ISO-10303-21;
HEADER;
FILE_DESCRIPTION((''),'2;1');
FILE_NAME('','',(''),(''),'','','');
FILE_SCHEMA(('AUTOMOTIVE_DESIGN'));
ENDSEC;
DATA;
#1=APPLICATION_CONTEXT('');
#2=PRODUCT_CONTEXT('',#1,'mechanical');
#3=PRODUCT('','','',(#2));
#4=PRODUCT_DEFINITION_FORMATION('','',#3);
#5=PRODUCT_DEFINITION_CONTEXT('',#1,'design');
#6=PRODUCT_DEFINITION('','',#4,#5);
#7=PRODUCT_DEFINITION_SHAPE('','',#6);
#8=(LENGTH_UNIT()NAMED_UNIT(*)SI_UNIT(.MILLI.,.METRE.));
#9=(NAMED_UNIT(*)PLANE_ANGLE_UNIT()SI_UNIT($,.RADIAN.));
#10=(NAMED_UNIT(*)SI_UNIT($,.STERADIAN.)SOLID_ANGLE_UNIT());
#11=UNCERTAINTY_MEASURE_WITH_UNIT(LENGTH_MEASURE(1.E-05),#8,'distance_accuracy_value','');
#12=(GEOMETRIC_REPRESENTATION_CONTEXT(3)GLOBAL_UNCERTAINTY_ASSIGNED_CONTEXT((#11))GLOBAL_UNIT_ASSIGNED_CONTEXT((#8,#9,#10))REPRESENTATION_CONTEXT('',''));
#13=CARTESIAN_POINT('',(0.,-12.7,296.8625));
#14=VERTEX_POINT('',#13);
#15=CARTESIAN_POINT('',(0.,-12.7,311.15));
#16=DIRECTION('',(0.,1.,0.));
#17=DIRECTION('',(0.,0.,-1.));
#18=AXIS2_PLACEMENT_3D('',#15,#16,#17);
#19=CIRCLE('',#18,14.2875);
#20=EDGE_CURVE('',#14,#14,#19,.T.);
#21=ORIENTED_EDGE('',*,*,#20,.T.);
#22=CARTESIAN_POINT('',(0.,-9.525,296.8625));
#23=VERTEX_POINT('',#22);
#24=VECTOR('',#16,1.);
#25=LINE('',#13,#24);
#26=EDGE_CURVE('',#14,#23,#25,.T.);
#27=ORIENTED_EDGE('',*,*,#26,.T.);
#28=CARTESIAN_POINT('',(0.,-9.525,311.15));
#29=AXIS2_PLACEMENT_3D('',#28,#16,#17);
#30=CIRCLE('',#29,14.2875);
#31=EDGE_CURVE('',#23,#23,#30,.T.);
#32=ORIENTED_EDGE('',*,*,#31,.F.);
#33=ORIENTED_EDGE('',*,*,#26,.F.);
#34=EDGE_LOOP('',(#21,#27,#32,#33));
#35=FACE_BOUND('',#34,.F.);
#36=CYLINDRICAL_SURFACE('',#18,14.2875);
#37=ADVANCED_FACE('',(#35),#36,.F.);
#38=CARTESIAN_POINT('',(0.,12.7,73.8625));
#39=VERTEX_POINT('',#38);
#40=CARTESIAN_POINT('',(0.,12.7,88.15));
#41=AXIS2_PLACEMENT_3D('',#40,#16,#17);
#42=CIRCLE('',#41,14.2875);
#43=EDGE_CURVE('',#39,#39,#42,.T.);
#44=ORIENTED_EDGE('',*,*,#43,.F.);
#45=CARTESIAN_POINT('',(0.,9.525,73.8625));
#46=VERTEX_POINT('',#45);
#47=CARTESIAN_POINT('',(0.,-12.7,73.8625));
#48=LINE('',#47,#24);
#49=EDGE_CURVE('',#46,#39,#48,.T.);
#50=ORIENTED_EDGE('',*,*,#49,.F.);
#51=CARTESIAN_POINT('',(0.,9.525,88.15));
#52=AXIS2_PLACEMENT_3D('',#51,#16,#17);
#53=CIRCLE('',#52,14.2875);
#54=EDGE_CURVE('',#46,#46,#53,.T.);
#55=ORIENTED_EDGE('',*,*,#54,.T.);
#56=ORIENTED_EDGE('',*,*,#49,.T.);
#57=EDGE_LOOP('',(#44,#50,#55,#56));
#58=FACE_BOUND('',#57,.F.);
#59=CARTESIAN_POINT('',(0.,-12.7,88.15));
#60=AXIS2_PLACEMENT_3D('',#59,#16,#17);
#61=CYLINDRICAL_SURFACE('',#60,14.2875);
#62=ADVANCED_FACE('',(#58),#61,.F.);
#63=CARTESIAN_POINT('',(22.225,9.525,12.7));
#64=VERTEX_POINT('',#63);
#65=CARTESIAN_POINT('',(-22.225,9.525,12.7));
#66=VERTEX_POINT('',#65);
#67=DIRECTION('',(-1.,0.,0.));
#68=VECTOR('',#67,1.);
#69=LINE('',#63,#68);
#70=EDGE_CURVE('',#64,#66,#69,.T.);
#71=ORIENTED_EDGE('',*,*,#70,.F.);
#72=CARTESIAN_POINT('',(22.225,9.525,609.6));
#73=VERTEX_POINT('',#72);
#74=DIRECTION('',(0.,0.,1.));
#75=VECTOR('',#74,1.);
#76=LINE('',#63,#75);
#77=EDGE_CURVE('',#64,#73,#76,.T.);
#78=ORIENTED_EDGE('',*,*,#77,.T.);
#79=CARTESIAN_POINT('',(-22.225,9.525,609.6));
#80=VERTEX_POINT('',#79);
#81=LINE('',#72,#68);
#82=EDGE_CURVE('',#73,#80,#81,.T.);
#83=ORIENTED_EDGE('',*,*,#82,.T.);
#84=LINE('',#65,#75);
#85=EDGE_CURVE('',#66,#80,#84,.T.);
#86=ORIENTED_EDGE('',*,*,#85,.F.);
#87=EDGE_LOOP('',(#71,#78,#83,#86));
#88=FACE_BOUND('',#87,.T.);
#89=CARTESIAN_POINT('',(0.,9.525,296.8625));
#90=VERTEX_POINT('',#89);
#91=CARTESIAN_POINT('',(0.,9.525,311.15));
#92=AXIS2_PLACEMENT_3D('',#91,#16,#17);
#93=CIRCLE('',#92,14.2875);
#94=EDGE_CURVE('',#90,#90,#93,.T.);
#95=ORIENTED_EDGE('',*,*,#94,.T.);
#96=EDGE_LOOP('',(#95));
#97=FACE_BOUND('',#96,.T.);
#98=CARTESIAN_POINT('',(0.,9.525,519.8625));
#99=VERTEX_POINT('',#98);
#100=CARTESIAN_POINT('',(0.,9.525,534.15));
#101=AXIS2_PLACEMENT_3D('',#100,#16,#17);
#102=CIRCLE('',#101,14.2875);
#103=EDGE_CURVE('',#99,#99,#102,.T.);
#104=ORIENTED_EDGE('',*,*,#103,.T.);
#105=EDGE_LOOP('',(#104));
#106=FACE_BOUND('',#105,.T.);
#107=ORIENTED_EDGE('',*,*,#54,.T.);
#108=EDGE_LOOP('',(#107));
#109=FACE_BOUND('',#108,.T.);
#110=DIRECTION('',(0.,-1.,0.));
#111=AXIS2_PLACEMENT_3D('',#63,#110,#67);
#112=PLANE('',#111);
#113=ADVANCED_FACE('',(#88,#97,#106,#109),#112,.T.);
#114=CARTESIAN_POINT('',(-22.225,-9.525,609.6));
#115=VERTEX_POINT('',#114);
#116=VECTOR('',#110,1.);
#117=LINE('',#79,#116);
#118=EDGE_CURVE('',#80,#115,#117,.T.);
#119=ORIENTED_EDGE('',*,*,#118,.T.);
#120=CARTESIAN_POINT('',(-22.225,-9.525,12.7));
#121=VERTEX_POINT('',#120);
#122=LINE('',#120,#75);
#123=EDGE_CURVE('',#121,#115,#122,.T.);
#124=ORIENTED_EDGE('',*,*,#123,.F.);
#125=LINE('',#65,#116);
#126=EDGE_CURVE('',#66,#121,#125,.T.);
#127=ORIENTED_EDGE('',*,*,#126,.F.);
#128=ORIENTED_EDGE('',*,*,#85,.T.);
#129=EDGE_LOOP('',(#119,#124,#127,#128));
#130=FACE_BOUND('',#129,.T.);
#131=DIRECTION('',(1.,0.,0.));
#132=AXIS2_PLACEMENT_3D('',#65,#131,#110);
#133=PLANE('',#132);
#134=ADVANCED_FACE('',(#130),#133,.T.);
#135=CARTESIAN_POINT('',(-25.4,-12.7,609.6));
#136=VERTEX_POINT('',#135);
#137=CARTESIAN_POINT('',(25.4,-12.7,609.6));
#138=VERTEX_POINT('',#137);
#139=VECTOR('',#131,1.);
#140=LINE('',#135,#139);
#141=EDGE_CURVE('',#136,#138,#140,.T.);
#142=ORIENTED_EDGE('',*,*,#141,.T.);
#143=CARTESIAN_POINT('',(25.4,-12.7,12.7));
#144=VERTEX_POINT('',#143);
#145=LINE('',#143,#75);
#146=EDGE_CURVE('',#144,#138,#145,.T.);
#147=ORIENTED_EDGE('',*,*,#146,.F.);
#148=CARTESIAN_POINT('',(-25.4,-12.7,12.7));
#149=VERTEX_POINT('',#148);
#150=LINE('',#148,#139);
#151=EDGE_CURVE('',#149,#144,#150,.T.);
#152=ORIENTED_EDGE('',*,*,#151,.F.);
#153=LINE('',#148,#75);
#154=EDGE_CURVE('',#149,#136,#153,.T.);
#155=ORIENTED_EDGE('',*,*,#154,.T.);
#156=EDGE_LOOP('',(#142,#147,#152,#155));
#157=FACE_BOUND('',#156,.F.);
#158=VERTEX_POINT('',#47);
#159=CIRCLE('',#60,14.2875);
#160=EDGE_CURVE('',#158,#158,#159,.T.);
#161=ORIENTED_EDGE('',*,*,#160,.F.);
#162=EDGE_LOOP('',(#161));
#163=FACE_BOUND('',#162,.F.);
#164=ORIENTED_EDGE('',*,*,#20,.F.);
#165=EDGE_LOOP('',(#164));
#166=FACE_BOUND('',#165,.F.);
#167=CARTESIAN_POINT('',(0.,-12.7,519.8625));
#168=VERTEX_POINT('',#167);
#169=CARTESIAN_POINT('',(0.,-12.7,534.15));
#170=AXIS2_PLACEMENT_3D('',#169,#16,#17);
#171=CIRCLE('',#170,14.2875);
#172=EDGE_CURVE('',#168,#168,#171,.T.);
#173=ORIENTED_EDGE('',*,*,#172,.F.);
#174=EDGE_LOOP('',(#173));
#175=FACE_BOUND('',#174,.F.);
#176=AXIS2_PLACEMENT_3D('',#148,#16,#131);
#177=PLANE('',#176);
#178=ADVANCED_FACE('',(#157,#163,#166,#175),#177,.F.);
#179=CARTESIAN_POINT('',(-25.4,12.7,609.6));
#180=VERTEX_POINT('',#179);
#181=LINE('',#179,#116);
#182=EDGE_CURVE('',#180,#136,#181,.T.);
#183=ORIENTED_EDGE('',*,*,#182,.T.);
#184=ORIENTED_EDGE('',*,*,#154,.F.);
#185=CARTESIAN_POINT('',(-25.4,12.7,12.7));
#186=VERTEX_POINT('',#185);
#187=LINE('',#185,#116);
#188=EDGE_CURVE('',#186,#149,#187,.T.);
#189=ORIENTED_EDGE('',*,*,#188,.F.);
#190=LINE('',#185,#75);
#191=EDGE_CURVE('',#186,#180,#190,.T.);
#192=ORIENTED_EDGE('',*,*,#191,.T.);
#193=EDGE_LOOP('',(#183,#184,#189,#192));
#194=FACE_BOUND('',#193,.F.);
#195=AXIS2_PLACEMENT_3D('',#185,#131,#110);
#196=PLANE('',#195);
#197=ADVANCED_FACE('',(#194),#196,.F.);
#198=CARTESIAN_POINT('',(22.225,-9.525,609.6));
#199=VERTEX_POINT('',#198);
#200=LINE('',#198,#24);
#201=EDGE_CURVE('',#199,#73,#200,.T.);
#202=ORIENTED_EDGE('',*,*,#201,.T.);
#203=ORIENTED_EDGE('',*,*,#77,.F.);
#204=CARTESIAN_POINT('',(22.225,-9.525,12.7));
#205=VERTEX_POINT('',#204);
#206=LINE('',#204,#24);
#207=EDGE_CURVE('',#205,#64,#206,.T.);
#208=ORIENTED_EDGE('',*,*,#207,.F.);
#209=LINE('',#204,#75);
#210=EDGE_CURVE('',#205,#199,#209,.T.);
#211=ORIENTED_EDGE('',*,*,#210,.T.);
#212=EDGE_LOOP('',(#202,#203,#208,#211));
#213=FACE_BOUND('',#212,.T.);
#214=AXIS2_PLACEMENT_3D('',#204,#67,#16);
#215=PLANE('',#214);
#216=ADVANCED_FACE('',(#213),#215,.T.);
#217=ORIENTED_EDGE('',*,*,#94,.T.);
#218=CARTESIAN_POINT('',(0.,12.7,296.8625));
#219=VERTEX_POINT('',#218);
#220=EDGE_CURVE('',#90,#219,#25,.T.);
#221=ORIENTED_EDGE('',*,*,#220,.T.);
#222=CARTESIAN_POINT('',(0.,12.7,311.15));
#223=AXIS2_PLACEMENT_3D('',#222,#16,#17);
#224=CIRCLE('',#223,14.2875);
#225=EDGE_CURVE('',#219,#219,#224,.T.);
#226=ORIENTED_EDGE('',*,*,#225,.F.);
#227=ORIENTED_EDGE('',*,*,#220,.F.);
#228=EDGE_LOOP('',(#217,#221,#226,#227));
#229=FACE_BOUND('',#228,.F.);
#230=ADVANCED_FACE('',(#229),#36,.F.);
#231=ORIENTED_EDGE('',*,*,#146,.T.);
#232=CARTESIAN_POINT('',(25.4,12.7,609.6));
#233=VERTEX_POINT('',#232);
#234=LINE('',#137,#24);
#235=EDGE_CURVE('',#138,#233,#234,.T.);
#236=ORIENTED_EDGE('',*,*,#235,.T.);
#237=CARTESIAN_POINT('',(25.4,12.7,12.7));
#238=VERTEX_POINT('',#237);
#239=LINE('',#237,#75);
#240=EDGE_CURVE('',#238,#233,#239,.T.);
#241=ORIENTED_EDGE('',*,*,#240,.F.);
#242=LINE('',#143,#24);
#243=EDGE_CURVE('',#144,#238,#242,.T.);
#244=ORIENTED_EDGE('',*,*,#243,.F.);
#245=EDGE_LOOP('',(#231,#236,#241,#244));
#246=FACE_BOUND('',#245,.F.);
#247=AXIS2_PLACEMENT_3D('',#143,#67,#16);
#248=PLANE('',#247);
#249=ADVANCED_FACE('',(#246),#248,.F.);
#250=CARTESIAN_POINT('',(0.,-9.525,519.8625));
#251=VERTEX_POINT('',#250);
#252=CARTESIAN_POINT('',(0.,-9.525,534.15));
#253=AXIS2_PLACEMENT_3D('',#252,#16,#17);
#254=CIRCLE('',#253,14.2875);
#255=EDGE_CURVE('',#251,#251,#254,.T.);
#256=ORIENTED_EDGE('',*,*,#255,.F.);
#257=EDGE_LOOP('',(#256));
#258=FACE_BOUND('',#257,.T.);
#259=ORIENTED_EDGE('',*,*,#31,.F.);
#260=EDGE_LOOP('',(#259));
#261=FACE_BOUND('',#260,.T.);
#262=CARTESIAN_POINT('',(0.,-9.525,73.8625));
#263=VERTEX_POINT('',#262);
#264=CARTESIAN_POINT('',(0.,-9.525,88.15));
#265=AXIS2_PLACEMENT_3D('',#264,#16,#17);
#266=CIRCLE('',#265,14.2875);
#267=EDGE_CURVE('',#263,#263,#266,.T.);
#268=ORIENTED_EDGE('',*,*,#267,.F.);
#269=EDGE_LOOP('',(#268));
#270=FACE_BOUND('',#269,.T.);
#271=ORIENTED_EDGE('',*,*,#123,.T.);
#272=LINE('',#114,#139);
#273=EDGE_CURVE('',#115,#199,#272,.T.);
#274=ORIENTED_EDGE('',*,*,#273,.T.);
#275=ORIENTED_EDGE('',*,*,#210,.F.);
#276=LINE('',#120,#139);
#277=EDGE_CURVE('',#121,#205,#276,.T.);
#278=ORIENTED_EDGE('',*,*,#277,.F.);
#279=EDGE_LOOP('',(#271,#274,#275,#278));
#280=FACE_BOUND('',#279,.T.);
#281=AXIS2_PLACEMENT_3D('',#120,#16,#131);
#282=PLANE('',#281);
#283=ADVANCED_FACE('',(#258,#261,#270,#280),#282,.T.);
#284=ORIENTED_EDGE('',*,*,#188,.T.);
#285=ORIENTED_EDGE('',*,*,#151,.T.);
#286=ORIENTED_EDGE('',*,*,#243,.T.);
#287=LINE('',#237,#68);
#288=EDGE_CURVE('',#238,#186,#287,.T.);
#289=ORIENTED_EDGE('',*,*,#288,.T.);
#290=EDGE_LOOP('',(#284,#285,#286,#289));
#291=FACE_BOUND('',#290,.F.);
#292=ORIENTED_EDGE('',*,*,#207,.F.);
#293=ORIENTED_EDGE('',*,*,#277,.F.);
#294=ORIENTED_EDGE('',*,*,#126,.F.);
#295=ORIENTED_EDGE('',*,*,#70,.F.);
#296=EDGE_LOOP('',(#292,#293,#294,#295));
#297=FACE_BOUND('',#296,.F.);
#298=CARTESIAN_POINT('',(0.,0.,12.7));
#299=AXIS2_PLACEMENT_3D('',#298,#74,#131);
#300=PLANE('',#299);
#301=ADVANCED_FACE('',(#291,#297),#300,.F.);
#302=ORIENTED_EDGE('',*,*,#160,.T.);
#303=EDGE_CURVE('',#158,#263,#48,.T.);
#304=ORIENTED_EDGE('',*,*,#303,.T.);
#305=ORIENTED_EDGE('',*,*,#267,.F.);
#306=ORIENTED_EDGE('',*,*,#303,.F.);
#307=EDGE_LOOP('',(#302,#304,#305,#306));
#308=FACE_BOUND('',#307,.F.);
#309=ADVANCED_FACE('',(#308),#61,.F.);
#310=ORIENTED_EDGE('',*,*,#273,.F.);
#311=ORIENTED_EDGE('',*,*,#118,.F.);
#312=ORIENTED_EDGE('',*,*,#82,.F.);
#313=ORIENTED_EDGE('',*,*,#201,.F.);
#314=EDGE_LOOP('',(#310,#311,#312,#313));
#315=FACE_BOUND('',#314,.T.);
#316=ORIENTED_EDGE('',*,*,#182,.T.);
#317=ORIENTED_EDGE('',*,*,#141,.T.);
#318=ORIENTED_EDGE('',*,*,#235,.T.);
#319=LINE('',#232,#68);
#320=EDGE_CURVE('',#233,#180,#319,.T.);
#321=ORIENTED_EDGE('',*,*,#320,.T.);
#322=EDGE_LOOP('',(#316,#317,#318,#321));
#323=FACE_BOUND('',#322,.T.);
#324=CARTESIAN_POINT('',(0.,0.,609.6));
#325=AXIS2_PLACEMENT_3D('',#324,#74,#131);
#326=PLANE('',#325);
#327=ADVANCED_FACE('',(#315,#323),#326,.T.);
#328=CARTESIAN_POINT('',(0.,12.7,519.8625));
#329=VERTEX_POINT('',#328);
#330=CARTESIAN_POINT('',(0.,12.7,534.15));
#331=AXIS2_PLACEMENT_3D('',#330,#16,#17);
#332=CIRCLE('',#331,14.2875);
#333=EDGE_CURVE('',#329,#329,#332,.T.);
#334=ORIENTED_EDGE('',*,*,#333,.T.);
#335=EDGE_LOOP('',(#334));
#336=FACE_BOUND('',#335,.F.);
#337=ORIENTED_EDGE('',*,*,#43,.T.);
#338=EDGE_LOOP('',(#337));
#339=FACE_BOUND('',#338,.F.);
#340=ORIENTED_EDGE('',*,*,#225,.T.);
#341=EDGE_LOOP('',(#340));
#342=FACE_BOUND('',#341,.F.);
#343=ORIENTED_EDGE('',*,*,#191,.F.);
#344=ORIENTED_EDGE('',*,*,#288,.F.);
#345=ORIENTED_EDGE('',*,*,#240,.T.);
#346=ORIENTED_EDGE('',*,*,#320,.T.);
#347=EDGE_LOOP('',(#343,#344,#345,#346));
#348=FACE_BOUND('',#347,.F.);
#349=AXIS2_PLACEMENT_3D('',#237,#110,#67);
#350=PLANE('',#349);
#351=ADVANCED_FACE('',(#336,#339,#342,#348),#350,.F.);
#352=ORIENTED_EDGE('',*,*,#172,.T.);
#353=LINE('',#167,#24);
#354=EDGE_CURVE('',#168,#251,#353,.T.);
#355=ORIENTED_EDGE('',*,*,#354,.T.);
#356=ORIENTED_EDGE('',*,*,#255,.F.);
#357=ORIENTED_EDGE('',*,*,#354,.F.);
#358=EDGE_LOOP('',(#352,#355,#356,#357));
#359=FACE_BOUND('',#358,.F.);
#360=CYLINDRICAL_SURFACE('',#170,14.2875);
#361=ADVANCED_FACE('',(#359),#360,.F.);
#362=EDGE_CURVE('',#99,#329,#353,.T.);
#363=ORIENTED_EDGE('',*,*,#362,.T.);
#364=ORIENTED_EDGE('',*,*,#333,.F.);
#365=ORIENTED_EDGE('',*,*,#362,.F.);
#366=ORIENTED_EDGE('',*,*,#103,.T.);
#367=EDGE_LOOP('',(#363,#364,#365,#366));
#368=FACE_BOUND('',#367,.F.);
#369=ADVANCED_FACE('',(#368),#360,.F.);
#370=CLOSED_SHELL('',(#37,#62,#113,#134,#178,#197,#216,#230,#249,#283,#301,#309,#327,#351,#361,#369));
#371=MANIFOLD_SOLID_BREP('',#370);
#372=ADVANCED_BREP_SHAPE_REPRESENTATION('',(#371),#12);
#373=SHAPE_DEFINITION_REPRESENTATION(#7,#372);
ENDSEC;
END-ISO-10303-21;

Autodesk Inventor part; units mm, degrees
ref_plane "Start Plane" through (0, 0, 12.7) normal (0, 0, 1) x (1, 0, 0)
ref_plane "End Plane" through (0, 0, 609.6) normal (0, 0, 1) x (1, 0, 0)
sketch "Sketch" plane through (0, 0, 0) normal (0, 0, 1) x (1, 0, 0)
  line L0 (-25.4, -12.7) -> (25.4, -12.7)
  line L1 (25.4, -12.7) -> (25.4, 12.7)
  line L2 (25.4, 12.7) -> (-25.4, 12.7)
  line L3 (-25.4, 12.7) -> (-25.4, -12.7)
  line L4 (-25.4, -12.7) -> (25.4, 12.7) construction
  line L5 (25.4, -12.7) -> (-25.4, 12.7) construction
  line L6 (-22.225, -9.525) -> (22.225, -9.525)
  line L7 (22.225, -9.525) -> (22.225, 9.525)
  line L8 (22.225, 9.525) -> (-22.225, 9.525)
  line L9 (-22.225, 9.525) -> (-22.225, -9.525)
  line L10 (-22.225, -9.525) -> (22.225, 9.525) construction
  line L11 (22.225, -9.525) -> (-22.225, 9.525) construction
  point P0 (0, 0)
  point P1 (0, 0)
  dimension "d0" = 50.8
  dimension "d1" = 25.4
  dimension "d2" = 3.175
  dimension "d3" = 3.175
extrude "Body" add sketch "Sketch" along normal up to surface (596.9 mm away) from surface at 12.7
sketch "Sketch4" plane through (0, 0, 0) normal (0, 0, 1) x (1, 0, 0)
  line L0 (0, 0) -> (10, 0)
ref_plane "Work Plane4" through (0, 0, 0) normal (0, -1, 0) x (1, 0, 0)
sketch "Sketch5" plane through (0, 0, 0) normal (0, -1, 0) x (1, 0, 0)
  line L0 (-2, 12.7) -> (12, 12.7)
  line L1 (-2, 609.6) -> (12, 609.6)
  dimension "d11" = 596.9
ref_plane "Work Plane5" through (25.4, -73.025, 609.6) normal (0, 0, 1) x (1, 0, 0)
split "Split1" plane through (25.4, -73.025, 609.6) removes the side toward (0, 0, 1)
ref_plane "Work Plane6" through (-25.4, -73.025, 12.7) normal (0, 0, -1) x (-1, 0, 0)
split "Split2" plane through (-25.4, -73.025, 12.7) removes the side toward (0, 0, -1)
sketch "Sketch7" plane through (-25.4, -12.7, 609.6) normal (0, -1, 0) x (1, 0, 0)
  line L0 (50.8, 0) -> (0, 0) projected
  line L1 (0, -596.9) -> (0, 0) projected
  line L2 (50.8, -596.9) -> (0, -596.9) projected
  line L3 (50.8, -596.9) -> (50.8, 0) projected
  line L4 (50.8, -203.2) -> (0, -203.2) projected
  line L5 (50.8, -393.7) -> (0, -393.7) projected
  point P0 (25.4, -298.45)
  point P1 (25.4, -75.45)
  point P2 (25.4, -521.45)
  dimension "d14" = 25.4
  dimension "d15" = 95.25
  dimension "d16" = 223
  dimension "d17" = 223
  dimension "d18" = 25.4
  dimension "d19" = 25.4
  dimension "d20" = 25.4
hole "Hole1" at (0, -12.7, 311.15) at (0, -12.7, 534.15) at (0, -12.7, 88.15) direction (0, 1, 0) diameter 28.575 end through all
equation "\"G_OFFSET_START\" = -12.7"
equation "\"G_OFFSET_END\" = -12.7"
equation "\"d6\" = -G_OFFSET_START"
equation "\"d7\" = length + G_OFFSET_END"
equation "\"G_L\" = d11"
equation "\"length\" = 622.3"
properties part number "2x1inTubing"
